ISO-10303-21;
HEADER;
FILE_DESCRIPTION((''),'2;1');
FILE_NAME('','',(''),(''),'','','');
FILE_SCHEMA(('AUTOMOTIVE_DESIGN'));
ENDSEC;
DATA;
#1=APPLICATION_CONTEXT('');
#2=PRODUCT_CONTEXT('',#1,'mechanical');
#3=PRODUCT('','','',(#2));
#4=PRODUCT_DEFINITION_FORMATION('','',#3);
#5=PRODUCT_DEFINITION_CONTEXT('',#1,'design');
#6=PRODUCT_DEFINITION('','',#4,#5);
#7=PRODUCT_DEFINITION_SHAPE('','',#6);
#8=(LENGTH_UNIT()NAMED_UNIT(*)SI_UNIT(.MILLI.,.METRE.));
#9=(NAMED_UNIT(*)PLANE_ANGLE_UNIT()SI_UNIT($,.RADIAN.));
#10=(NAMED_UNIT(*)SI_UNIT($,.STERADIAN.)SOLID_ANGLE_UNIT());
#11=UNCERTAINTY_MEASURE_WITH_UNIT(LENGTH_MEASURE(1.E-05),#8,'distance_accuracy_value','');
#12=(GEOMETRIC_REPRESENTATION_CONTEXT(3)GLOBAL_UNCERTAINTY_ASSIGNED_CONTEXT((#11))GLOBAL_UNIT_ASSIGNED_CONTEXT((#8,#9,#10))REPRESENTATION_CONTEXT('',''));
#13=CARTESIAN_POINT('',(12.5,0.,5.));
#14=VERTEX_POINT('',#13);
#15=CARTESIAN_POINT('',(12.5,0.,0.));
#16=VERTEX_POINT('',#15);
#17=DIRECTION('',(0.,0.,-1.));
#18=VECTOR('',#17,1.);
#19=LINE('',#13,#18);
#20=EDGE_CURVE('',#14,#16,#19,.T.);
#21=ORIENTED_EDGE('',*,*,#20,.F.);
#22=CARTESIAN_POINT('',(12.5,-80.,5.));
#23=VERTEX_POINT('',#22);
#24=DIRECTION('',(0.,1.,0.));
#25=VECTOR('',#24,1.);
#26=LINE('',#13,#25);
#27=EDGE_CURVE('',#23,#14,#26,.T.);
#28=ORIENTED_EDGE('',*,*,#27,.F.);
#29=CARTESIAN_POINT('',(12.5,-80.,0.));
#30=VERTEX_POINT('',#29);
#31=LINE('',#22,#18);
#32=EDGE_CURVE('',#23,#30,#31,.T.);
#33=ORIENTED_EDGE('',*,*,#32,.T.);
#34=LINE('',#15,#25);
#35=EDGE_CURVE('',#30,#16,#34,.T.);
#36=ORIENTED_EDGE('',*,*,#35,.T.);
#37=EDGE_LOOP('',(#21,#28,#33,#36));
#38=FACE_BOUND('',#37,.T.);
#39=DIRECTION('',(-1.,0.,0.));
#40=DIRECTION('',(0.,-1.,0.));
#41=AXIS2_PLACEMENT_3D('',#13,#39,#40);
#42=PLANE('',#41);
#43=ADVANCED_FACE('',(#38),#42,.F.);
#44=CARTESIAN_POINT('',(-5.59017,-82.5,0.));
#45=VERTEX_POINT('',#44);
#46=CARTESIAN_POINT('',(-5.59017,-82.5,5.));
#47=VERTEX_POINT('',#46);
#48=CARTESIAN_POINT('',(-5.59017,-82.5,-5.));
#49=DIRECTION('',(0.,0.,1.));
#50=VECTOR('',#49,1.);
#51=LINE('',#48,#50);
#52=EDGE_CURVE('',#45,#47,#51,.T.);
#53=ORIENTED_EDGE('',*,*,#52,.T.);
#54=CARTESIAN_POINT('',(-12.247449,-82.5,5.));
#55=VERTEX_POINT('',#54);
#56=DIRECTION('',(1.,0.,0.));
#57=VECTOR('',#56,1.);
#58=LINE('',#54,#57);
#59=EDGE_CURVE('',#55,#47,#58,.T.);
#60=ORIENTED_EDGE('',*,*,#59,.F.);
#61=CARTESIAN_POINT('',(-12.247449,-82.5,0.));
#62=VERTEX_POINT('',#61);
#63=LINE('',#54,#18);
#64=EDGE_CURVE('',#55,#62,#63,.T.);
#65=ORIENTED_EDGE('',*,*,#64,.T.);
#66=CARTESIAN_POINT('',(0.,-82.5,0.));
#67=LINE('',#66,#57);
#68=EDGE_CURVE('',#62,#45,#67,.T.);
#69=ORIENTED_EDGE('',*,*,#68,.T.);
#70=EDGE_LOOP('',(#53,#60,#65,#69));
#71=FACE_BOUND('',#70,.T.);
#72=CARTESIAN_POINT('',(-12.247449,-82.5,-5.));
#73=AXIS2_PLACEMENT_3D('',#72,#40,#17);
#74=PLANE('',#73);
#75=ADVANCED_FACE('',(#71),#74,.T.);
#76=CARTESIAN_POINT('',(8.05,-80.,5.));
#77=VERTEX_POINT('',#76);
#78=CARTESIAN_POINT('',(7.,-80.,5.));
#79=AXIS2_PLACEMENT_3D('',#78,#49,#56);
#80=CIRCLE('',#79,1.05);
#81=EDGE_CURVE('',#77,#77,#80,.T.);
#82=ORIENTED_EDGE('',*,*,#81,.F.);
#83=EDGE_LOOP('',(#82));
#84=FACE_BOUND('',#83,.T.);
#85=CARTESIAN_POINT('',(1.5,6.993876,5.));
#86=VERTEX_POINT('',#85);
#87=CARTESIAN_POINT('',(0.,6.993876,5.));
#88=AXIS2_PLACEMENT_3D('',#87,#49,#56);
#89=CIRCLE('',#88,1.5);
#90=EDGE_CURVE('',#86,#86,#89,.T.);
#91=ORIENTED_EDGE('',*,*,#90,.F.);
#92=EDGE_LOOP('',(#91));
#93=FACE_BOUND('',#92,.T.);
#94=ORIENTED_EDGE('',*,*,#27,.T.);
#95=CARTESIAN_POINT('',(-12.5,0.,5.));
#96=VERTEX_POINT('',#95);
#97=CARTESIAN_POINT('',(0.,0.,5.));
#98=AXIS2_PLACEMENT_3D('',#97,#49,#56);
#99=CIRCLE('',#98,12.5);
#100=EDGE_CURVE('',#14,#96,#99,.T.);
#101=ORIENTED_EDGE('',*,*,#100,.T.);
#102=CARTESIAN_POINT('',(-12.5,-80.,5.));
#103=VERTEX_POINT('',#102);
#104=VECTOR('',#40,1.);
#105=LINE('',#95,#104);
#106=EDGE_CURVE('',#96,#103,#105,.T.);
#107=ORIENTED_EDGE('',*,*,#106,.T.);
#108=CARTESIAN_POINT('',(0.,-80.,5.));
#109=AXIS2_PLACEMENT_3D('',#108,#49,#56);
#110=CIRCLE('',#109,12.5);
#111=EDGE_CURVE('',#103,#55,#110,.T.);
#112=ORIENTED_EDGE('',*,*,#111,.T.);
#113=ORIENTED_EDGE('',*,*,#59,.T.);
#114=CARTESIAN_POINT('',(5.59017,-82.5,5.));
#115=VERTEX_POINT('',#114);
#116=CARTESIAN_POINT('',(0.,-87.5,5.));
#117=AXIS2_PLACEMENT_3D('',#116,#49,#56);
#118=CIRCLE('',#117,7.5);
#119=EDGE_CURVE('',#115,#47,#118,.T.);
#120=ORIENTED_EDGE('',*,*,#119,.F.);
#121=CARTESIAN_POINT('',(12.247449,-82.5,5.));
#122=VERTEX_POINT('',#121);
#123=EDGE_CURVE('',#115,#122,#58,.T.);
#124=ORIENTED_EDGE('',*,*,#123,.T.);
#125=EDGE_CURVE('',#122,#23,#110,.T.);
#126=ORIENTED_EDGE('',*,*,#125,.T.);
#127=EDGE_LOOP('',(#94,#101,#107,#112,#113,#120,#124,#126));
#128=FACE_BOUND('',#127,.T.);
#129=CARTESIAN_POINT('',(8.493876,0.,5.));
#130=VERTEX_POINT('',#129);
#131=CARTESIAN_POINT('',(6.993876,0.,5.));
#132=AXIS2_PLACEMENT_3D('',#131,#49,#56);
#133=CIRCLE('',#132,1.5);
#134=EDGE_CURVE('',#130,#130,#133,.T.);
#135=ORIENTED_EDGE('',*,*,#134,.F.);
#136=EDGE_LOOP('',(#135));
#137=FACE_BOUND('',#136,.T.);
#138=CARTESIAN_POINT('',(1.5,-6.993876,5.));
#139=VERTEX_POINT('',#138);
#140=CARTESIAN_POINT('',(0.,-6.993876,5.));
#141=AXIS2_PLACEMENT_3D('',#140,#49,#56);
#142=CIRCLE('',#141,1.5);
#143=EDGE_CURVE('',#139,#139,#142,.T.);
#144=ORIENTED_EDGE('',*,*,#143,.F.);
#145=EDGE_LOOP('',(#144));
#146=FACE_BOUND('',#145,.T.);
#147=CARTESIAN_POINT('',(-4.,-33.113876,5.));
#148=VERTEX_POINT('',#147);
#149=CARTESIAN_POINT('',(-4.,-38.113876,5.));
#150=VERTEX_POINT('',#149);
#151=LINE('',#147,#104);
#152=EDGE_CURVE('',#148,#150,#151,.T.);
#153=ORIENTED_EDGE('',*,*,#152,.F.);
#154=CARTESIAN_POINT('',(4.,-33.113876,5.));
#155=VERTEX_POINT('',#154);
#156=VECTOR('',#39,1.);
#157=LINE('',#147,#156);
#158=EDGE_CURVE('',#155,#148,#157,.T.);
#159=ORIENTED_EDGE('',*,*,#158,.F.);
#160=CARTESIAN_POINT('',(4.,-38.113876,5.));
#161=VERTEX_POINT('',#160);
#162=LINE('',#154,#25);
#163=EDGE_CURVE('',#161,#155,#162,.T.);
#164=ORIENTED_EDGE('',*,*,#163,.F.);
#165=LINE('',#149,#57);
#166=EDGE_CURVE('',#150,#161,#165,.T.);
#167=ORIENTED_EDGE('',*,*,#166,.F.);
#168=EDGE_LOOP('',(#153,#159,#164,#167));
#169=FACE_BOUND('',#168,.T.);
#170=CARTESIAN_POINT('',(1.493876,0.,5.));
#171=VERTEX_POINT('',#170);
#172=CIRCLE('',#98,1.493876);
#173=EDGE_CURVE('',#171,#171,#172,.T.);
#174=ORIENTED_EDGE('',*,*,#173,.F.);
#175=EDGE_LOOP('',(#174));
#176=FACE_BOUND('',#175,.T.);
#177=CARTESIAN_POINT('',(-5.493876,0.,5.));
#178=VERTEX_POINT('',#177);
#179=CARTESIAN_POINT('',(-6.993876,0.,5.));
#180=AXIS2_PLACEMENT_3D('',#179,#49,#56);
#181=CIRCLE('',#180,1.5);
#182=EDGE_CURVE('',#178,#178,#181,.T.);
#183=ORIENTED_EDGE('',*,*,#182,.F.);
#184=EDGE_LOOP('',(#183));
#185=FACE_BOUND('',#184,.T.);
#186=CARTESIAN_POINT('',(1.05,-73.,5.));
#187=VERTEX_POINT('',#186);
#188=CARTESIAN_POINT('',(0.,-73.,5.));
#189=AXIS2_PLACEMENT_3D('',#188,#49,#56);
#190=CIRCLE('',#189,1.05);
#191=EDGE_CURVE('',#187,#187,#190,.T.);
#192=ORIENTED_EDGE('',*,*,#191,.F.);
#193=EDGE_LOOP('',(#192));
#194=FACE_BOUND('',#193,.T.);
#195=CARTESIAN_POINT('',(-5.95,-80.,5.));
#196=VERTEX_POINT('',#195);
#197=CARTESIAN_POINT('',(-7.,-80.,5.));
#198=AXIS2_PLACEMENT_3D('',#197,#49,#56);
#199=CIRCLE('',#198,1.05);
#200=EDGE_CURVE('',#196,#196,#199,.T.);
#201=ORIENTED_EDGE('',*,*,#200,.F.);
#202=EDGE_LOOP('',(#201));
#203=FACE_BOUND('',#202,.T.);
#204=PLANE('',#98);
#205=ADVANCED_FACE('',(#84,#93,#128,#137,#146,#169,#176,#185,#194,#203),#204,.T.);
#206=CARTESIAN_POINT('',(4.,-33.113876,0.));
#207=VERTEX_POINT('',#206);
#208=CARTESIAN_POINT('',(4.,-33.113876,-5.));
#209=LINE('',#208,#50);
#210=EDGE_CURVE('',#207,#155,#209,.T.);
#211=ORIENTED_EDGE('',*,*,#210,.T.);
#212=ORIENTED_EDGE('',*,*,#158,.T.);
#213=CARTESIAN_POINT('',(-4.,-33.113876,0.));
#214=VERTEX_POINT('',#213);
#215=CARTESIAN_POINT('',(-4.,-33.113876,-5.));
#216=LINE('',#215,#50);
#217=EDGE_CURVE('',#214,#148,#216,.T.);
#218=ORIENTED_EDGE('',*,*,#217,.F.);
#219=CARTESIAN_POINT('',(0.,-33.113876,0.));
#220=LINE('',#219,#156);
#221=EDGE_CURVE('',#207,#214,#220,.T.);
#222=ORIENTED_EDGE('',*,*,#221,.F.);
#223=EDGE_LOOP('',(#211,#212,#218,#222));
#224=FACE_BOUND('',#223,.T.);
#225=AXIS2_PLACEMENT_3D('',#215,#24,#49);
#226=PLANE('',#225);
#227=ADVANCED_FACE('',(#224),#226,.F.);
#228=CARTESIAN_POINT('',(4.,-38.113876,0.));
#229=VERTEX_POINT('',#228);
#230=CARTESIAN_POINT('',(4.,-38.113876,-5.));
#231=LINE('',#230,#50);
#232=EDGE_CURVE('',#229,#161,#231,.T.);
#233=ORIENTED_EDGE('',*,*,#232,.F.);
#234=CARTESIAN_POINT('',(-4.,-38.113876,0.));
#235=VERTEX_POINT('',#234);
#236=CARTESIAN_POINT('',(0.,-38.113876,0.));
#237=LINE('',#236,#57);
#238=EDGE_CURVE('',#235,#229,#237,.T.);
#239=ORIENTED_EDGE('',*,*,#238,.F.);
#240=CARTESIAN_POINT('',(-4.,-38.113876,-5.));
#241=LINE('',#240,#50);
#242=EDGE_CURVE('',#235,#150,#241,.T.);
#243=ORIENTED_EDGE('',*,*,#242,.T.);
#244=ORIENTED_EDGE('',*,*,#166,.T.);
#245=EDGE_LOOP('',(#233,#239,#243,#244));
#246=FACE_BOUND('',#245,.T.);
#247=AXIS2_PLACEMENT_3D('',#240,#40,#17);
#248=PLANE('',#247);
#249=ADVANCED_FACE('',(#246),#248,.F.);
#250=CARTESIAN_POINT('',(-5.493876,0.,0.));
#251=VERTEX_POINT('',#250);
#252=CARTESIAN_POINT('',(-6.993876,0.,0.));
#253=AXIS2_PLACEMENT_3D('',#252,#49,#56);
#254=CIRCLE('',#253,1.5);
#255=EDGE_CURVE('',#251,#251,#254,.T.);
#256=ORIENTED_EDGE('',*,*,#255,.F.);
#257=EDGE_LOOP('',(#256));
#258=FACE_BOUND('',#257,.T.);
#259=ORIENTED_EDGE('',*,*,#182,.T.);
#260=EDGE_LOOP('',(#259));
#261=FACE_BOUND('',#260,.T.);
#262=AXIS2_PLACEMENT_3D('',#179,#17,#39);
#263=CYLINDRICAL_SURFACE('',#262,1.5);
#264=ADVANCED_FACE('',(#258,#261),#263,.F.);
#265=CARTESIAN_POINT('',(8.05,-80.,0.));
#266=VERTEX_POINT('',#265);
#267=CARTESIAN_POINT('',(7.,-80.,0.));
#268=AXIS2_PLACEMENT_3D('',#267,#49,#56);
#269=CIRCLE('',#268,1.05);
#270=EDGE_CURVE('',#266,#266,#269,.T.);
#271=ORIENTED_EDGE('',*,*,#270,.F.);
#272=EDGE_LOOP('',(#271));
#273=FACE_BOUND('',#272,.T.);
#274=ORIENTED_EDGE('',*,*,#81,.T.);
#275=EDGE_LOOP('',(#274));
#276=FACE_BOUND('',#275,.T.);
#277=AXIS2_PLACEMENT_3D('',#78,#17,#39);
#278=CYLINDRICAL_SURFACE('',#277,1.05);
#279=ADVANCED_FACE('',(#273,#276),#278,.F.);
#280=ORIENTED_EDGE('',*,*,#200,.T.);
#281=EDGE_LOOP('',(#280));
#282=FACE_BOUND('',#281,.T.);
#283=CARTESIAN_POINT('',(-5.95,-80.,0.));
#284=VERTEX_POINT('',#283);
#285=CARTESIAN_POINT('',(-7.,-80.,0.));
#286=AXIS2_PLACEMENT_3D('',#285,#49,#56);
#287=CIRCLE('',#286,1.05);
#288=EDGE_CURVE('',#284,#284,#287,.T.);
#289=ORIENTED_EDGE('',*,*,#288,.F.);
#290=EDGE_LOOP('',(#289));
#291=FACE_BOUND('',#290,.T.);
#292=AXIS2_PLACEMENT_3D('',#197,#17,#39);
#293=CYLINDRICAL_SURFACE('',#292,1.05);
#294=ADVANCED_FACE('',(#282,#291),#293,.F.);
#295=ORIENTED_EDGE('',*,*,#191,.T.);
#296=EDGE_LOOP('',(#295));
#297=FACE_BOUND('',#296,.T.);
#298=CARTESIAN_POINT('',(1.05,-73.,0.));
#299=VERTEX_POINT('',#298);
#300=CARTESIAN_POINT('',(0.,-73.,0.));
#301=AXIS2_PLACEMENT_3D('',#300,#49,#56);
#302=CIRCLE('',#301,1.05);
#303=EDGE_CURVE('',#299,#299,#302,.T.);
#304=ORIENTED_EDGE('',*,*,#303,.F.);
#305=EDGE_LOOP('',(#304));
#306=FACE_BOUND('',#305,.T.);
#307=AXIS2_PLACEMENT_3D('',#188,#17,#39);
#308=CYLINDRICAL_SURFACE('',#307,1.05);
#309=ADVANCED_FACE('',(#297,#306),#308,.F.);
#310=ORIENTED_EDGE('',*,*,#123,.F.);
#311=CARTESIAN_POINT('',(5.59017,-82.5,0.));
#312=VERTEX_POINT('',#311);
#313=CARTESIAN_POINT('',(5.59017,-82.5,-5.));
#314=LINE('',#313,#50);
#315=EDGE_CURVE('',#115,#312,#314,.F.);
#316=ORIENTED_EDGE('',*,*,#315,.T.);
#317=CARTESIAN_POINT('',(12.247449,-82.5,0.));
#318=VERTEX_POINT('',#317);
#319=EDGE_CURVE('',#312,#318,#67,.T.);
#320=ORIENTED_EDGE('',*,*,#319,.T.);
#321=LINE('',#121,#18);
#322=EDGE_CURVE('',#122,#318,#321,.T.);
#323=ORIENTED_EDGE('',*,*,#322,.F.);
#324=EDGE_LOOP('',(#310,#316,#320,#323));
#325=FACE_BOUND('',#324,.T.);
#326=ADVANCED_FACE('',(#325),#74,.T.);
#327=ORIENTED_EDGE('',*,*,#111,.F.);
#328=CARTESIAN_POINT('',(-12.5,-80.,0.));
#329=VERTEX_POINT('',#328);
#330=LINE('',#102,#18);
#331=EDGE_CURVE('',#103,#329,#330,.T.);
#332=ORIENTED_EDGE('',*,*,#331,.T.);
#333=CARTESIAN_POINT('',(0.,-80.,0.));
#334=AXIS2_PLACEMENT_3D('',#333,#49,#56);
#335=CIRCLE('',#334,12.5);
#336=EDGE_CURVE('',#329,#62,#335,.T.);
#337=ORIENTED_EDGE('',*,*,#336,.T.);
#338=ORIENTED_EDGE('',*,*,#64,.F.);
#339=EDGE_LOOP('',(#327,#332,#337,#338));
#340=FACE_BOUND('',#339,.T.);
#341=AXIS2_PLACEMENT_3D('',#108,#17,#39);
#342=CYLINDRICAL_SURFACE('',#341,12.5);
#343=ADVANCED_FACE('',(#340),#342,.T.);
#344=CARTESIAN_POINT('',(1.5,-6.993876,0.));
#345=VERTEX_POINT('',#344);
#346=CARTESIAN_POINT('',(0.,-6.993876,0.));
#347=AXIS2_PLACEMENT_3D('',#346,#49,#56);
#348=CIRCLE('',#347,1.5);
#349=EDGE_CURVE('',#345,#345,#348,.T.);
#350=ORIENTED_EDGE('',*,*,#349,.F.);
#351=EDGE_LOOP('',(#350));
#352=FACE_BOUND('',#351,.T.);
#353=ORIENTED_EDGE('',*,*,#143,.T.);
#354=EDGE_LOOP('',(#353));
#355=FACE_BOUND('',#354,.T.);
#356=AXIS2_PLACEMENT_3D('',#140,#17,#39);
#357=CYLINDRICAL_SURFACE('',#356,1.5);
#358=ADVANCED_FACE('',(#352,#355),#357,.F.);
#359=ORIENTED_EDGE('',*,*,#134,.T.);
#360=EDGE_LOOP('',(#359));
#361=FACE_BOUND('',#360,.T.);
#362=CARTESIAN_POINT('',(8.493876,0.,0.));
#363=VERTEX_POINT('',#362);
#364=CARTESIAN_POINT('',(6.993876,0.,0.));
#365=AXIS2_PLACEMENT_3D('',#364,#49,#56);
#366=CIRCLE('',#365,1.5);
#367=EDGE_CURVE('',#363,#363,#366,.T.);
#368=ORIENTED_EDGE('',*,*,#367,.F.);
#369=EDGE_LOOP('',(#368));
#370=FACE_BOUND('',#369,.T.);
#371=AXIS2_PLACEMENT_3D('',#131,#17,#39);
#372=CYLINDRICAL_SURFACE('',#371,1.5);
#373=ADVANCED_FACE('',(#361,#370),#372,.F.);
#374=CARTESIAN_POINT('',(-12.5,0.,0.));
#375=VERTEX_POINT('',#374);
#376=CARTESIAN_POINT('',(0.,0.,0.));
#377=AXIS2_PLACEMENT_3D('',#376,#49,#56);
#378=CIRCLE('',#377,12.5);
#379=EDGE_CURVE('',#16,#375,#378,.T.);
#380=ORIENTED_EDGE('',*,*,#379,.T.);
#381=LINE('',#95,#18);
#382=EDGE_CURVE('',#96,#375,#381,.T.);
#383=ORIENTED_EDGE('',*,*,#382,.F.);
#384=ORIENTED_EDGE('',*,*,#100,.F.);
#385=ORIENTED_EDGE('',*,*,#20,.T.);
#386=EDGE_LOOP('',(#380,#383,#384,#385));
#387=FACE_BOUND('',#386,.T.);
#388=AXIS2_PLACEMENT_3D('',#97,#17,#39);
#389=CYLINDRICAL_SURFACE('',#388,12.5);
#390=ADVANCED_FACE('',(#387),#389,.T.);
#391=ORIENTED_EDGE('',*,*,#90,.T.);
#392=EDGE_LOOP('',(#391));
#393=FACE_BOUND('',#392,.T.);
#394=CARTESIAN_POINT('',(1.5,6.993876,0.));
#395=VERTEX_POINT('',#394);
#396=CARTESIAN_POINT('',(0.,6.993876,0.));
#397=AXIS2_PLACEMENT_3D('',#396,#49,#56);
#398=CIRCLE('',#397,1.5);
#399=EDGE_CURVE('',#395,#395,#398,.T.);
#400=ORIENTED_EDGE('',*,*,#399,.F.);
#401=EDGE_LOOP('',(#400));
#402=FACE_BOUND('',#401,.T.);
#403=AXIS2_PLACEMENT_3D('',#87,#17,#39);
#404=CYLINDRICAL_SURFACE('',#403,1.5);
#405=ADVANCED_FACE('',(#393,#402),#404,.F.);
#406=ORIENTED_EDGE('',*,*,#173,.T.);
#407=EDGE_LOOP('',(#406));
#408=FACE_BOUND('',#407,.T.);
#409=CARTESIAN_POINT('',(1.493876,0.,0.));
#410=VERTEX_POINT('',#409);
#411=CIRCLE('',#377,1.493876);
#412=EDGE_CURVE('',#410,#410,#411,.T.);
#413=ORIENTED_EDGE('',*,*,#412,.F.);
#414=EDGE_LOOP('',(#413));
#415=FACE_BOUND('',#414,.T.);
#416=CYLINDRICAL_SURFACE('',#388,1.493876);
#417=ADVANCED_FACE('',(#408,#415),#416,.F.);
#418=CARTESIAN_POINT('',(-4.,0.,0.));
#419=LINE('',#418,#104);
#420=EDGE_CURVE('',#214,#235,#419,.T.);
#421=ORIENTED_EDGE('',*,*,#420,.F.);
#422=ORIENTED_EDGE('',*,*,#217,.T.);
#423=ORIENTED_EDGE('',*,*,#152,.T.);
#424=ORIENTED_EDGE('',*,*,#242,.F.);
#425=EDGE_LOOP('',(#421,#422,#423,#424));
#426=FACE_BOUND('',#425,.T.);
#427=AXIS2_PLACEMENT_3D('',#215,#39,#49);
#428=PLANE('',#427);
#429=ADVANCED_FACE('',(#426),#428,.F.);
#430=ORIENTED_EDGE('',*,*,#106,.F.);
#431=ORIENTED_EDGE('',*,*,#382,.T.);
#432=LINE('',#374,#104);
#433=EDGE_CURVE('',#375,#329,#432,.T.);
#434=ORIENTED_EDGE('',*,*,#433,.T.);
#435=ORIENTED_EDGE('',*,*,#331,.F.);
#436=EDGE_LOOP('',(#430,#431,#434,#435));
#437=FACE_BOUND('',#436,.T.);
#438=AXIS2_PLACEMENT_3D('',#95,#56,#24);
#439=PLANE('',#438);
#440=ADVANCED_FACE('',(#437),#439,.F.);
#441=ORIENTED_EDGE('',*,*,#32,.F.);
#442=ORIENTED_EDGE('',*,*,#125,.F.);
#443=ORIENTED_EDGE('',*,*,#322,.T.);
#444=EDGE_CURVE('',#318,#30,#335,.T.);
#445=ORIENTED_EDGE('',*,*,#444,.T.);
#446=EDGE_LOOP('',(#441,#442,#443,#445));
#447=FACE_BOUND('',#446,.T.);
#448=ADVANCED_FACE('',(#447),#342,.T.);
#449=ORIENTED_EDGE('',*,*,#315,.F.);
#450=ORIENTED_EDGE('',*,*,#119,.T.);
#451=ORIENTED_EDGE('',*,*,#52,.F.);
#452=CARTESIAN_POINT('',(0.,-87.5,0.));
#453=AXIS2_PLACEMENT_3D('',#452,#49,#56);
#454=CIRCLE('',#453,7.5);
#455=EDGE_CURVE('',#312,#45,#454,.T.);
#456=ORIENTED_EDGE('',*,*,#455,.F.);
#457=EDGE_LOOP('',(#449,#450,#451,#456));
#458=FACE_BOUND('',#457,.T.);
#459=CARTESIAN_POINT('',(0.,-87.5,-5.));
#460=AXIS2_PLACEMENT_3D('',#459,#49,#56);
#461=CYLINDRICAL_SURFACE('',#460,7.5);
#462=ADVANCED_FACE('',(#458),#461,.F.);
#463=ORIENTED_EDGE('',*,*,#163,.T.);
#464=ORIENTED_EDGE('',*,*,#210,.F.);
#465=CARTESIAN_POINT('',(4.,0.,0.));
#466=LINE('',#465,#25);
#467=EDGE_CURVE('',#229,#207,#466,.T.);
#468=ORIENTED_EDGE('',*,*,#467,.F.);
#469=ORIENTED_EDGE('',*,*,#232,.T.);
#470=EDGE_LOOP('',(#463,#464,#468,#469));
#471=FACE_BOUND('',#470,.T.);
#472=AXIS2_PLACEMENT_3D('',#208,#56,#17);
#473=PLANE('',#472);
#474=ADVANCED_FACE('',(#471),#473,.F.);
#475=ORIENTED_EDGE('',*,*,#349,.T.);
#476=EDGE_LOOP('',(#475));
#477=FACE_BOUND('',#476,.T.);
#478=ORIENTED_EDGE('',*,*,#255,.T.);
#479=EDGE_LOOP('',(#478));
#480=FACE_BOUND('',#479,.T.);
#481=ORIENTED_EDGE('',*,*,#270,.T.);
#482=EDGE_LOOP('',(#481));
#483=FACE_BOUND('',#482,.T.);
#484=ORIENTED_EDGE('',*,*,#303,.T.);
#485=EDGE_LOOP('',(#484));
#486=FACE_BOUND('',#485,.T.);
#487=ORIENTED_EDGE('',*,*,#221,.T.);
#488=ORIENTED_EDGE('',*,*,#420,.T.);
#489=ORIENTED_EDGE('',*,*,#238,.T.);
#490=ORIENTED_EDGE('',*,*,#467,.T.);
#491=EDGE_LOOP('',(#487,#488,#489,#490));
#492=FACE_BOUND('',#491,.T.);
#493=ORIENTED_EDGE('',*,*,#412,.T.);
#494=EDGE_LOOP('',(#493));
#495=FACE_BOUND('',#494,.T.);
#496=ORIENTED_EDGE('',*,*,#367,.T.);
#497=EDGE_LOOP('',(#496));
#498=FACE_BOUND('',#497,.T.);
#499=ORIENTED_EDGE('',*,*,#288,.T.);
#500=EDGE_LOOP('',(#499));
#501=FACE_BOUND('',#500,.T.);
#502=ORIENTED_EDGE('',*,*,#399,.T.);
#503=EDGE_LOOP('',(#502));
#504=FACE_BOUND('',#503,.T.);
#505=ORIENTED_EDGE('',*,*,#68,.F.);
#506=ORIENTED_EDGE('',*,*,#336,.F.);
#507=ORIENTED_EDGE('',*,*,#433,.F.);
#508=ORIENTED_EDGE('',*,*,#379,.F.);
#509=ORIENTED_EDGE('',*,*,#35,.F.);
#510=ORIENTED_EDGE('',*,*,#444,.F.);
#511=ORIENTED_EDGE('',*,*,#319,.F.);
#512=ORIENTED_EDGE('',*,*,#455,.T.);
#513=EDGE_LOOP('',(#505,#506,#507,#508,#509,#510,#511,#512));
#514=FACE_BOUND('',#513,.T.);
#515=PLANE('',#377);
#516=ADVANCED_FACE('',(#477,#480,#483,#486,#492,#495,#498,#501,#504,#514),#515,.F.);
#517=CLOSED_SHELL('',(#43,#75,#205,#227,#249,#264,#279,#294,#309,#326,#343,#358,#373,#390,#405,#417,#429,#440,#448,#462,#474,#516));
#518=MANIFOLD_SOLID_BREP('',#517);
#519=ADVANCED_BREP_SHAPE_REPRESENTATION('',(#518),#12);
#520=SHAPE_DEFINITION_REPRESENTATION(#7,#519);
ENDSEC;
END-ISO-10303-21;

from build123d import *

# Parameters (mm, degrees)
SKETCH1_R           = 1.5
SKETCH1_R_2         = 1.493875789
SKETCH1_R_3         = 1.05
BOSS_EXTRUDE1_DEPTH = 5
SKETCH3_W           = 8
SKETCH3_H           = 5
CUT_EXTRUDE3_DEPTH  = 10
SKETCH5_R           = 7.5
SKETCH5_W           = 24.494897428
SKETCH5_H           = 10
CUT_EXTRUDE4_DEPTH  = 10


with BuildPart() as part:
    # Sketch1 → Boss-Extrude1 (new body)
    with BuildSketch(Plane.XY):
        with BuildLine():
            Line((-12.5, 0), (-12.5, -80))
            ThreePointArc((-12.5, -80), (0, -92.5), (12.5, -80))
            Line((12.5, -80), (12.5, 0))
            ThreePointArc((12.5, 0), (0, 12.5), (-12.5, 0))
        make_face()
        with Locations((0, 6.993875789)):
            Circle(SKETCH1_R, mode=Mode.SUBTRACT)
        Circle(SKETCH1_R_2, mode=Mode.SUBTRACT)
        with Locations((-7, -80)):
            Circle(SKETCH1_R_3, mode=Mode.SUBTRACT)
        with Locations((0, -73)):
            Circle(SKETCH1_R_3, mode=Mode.SUBTRACT)
        with Locations((7, -80)):
            Circle(SKETCH1_R_3, mode=Mode.SUBTRACT)
        with Locations((-6.993875789, 0)):
            Circle(SKETCH1_R, mode=Mode.SUBTRACT)
        with Locations((0, -6.993875789)):
            Circle(SKETCH1_R, mode=Mode.SUBTRACT)
        with Locations((6.993875789, 0)):
            Circle(SKETCH1_R, mode=Mode.SUBTRACT)
    extrude(amount=BOSS_EXTRUDE1_DEPTH)

    # Sketch3 → Cut-Extrude3 (cut)
    with BuildSketch(Plane.XY.offset(5)):
        with Locations((0, -35.613875789)):
            Rectangle(SKETCH3_W, SKETCH3_H)
    extrude(amount=-CUT_EXTRUDE3_DEPTH, mode=Mode.SUBTRACT)

    # Sketch5 → Cut-Extrude4 (cut)
    with BuildSketch(Plane.XY.offset(5)):
        with Locations((0, -87.5)):
            Circle(SKETCH5_R)
        with Locations((0, -87.5)):
            Rectangle(SKETCH5_W, SKETCH5_H)
    extrude(amount=-CUT_EXTRUDE4_DEPTH, mode=Mode.SUBTRACT)


solid = part.part
